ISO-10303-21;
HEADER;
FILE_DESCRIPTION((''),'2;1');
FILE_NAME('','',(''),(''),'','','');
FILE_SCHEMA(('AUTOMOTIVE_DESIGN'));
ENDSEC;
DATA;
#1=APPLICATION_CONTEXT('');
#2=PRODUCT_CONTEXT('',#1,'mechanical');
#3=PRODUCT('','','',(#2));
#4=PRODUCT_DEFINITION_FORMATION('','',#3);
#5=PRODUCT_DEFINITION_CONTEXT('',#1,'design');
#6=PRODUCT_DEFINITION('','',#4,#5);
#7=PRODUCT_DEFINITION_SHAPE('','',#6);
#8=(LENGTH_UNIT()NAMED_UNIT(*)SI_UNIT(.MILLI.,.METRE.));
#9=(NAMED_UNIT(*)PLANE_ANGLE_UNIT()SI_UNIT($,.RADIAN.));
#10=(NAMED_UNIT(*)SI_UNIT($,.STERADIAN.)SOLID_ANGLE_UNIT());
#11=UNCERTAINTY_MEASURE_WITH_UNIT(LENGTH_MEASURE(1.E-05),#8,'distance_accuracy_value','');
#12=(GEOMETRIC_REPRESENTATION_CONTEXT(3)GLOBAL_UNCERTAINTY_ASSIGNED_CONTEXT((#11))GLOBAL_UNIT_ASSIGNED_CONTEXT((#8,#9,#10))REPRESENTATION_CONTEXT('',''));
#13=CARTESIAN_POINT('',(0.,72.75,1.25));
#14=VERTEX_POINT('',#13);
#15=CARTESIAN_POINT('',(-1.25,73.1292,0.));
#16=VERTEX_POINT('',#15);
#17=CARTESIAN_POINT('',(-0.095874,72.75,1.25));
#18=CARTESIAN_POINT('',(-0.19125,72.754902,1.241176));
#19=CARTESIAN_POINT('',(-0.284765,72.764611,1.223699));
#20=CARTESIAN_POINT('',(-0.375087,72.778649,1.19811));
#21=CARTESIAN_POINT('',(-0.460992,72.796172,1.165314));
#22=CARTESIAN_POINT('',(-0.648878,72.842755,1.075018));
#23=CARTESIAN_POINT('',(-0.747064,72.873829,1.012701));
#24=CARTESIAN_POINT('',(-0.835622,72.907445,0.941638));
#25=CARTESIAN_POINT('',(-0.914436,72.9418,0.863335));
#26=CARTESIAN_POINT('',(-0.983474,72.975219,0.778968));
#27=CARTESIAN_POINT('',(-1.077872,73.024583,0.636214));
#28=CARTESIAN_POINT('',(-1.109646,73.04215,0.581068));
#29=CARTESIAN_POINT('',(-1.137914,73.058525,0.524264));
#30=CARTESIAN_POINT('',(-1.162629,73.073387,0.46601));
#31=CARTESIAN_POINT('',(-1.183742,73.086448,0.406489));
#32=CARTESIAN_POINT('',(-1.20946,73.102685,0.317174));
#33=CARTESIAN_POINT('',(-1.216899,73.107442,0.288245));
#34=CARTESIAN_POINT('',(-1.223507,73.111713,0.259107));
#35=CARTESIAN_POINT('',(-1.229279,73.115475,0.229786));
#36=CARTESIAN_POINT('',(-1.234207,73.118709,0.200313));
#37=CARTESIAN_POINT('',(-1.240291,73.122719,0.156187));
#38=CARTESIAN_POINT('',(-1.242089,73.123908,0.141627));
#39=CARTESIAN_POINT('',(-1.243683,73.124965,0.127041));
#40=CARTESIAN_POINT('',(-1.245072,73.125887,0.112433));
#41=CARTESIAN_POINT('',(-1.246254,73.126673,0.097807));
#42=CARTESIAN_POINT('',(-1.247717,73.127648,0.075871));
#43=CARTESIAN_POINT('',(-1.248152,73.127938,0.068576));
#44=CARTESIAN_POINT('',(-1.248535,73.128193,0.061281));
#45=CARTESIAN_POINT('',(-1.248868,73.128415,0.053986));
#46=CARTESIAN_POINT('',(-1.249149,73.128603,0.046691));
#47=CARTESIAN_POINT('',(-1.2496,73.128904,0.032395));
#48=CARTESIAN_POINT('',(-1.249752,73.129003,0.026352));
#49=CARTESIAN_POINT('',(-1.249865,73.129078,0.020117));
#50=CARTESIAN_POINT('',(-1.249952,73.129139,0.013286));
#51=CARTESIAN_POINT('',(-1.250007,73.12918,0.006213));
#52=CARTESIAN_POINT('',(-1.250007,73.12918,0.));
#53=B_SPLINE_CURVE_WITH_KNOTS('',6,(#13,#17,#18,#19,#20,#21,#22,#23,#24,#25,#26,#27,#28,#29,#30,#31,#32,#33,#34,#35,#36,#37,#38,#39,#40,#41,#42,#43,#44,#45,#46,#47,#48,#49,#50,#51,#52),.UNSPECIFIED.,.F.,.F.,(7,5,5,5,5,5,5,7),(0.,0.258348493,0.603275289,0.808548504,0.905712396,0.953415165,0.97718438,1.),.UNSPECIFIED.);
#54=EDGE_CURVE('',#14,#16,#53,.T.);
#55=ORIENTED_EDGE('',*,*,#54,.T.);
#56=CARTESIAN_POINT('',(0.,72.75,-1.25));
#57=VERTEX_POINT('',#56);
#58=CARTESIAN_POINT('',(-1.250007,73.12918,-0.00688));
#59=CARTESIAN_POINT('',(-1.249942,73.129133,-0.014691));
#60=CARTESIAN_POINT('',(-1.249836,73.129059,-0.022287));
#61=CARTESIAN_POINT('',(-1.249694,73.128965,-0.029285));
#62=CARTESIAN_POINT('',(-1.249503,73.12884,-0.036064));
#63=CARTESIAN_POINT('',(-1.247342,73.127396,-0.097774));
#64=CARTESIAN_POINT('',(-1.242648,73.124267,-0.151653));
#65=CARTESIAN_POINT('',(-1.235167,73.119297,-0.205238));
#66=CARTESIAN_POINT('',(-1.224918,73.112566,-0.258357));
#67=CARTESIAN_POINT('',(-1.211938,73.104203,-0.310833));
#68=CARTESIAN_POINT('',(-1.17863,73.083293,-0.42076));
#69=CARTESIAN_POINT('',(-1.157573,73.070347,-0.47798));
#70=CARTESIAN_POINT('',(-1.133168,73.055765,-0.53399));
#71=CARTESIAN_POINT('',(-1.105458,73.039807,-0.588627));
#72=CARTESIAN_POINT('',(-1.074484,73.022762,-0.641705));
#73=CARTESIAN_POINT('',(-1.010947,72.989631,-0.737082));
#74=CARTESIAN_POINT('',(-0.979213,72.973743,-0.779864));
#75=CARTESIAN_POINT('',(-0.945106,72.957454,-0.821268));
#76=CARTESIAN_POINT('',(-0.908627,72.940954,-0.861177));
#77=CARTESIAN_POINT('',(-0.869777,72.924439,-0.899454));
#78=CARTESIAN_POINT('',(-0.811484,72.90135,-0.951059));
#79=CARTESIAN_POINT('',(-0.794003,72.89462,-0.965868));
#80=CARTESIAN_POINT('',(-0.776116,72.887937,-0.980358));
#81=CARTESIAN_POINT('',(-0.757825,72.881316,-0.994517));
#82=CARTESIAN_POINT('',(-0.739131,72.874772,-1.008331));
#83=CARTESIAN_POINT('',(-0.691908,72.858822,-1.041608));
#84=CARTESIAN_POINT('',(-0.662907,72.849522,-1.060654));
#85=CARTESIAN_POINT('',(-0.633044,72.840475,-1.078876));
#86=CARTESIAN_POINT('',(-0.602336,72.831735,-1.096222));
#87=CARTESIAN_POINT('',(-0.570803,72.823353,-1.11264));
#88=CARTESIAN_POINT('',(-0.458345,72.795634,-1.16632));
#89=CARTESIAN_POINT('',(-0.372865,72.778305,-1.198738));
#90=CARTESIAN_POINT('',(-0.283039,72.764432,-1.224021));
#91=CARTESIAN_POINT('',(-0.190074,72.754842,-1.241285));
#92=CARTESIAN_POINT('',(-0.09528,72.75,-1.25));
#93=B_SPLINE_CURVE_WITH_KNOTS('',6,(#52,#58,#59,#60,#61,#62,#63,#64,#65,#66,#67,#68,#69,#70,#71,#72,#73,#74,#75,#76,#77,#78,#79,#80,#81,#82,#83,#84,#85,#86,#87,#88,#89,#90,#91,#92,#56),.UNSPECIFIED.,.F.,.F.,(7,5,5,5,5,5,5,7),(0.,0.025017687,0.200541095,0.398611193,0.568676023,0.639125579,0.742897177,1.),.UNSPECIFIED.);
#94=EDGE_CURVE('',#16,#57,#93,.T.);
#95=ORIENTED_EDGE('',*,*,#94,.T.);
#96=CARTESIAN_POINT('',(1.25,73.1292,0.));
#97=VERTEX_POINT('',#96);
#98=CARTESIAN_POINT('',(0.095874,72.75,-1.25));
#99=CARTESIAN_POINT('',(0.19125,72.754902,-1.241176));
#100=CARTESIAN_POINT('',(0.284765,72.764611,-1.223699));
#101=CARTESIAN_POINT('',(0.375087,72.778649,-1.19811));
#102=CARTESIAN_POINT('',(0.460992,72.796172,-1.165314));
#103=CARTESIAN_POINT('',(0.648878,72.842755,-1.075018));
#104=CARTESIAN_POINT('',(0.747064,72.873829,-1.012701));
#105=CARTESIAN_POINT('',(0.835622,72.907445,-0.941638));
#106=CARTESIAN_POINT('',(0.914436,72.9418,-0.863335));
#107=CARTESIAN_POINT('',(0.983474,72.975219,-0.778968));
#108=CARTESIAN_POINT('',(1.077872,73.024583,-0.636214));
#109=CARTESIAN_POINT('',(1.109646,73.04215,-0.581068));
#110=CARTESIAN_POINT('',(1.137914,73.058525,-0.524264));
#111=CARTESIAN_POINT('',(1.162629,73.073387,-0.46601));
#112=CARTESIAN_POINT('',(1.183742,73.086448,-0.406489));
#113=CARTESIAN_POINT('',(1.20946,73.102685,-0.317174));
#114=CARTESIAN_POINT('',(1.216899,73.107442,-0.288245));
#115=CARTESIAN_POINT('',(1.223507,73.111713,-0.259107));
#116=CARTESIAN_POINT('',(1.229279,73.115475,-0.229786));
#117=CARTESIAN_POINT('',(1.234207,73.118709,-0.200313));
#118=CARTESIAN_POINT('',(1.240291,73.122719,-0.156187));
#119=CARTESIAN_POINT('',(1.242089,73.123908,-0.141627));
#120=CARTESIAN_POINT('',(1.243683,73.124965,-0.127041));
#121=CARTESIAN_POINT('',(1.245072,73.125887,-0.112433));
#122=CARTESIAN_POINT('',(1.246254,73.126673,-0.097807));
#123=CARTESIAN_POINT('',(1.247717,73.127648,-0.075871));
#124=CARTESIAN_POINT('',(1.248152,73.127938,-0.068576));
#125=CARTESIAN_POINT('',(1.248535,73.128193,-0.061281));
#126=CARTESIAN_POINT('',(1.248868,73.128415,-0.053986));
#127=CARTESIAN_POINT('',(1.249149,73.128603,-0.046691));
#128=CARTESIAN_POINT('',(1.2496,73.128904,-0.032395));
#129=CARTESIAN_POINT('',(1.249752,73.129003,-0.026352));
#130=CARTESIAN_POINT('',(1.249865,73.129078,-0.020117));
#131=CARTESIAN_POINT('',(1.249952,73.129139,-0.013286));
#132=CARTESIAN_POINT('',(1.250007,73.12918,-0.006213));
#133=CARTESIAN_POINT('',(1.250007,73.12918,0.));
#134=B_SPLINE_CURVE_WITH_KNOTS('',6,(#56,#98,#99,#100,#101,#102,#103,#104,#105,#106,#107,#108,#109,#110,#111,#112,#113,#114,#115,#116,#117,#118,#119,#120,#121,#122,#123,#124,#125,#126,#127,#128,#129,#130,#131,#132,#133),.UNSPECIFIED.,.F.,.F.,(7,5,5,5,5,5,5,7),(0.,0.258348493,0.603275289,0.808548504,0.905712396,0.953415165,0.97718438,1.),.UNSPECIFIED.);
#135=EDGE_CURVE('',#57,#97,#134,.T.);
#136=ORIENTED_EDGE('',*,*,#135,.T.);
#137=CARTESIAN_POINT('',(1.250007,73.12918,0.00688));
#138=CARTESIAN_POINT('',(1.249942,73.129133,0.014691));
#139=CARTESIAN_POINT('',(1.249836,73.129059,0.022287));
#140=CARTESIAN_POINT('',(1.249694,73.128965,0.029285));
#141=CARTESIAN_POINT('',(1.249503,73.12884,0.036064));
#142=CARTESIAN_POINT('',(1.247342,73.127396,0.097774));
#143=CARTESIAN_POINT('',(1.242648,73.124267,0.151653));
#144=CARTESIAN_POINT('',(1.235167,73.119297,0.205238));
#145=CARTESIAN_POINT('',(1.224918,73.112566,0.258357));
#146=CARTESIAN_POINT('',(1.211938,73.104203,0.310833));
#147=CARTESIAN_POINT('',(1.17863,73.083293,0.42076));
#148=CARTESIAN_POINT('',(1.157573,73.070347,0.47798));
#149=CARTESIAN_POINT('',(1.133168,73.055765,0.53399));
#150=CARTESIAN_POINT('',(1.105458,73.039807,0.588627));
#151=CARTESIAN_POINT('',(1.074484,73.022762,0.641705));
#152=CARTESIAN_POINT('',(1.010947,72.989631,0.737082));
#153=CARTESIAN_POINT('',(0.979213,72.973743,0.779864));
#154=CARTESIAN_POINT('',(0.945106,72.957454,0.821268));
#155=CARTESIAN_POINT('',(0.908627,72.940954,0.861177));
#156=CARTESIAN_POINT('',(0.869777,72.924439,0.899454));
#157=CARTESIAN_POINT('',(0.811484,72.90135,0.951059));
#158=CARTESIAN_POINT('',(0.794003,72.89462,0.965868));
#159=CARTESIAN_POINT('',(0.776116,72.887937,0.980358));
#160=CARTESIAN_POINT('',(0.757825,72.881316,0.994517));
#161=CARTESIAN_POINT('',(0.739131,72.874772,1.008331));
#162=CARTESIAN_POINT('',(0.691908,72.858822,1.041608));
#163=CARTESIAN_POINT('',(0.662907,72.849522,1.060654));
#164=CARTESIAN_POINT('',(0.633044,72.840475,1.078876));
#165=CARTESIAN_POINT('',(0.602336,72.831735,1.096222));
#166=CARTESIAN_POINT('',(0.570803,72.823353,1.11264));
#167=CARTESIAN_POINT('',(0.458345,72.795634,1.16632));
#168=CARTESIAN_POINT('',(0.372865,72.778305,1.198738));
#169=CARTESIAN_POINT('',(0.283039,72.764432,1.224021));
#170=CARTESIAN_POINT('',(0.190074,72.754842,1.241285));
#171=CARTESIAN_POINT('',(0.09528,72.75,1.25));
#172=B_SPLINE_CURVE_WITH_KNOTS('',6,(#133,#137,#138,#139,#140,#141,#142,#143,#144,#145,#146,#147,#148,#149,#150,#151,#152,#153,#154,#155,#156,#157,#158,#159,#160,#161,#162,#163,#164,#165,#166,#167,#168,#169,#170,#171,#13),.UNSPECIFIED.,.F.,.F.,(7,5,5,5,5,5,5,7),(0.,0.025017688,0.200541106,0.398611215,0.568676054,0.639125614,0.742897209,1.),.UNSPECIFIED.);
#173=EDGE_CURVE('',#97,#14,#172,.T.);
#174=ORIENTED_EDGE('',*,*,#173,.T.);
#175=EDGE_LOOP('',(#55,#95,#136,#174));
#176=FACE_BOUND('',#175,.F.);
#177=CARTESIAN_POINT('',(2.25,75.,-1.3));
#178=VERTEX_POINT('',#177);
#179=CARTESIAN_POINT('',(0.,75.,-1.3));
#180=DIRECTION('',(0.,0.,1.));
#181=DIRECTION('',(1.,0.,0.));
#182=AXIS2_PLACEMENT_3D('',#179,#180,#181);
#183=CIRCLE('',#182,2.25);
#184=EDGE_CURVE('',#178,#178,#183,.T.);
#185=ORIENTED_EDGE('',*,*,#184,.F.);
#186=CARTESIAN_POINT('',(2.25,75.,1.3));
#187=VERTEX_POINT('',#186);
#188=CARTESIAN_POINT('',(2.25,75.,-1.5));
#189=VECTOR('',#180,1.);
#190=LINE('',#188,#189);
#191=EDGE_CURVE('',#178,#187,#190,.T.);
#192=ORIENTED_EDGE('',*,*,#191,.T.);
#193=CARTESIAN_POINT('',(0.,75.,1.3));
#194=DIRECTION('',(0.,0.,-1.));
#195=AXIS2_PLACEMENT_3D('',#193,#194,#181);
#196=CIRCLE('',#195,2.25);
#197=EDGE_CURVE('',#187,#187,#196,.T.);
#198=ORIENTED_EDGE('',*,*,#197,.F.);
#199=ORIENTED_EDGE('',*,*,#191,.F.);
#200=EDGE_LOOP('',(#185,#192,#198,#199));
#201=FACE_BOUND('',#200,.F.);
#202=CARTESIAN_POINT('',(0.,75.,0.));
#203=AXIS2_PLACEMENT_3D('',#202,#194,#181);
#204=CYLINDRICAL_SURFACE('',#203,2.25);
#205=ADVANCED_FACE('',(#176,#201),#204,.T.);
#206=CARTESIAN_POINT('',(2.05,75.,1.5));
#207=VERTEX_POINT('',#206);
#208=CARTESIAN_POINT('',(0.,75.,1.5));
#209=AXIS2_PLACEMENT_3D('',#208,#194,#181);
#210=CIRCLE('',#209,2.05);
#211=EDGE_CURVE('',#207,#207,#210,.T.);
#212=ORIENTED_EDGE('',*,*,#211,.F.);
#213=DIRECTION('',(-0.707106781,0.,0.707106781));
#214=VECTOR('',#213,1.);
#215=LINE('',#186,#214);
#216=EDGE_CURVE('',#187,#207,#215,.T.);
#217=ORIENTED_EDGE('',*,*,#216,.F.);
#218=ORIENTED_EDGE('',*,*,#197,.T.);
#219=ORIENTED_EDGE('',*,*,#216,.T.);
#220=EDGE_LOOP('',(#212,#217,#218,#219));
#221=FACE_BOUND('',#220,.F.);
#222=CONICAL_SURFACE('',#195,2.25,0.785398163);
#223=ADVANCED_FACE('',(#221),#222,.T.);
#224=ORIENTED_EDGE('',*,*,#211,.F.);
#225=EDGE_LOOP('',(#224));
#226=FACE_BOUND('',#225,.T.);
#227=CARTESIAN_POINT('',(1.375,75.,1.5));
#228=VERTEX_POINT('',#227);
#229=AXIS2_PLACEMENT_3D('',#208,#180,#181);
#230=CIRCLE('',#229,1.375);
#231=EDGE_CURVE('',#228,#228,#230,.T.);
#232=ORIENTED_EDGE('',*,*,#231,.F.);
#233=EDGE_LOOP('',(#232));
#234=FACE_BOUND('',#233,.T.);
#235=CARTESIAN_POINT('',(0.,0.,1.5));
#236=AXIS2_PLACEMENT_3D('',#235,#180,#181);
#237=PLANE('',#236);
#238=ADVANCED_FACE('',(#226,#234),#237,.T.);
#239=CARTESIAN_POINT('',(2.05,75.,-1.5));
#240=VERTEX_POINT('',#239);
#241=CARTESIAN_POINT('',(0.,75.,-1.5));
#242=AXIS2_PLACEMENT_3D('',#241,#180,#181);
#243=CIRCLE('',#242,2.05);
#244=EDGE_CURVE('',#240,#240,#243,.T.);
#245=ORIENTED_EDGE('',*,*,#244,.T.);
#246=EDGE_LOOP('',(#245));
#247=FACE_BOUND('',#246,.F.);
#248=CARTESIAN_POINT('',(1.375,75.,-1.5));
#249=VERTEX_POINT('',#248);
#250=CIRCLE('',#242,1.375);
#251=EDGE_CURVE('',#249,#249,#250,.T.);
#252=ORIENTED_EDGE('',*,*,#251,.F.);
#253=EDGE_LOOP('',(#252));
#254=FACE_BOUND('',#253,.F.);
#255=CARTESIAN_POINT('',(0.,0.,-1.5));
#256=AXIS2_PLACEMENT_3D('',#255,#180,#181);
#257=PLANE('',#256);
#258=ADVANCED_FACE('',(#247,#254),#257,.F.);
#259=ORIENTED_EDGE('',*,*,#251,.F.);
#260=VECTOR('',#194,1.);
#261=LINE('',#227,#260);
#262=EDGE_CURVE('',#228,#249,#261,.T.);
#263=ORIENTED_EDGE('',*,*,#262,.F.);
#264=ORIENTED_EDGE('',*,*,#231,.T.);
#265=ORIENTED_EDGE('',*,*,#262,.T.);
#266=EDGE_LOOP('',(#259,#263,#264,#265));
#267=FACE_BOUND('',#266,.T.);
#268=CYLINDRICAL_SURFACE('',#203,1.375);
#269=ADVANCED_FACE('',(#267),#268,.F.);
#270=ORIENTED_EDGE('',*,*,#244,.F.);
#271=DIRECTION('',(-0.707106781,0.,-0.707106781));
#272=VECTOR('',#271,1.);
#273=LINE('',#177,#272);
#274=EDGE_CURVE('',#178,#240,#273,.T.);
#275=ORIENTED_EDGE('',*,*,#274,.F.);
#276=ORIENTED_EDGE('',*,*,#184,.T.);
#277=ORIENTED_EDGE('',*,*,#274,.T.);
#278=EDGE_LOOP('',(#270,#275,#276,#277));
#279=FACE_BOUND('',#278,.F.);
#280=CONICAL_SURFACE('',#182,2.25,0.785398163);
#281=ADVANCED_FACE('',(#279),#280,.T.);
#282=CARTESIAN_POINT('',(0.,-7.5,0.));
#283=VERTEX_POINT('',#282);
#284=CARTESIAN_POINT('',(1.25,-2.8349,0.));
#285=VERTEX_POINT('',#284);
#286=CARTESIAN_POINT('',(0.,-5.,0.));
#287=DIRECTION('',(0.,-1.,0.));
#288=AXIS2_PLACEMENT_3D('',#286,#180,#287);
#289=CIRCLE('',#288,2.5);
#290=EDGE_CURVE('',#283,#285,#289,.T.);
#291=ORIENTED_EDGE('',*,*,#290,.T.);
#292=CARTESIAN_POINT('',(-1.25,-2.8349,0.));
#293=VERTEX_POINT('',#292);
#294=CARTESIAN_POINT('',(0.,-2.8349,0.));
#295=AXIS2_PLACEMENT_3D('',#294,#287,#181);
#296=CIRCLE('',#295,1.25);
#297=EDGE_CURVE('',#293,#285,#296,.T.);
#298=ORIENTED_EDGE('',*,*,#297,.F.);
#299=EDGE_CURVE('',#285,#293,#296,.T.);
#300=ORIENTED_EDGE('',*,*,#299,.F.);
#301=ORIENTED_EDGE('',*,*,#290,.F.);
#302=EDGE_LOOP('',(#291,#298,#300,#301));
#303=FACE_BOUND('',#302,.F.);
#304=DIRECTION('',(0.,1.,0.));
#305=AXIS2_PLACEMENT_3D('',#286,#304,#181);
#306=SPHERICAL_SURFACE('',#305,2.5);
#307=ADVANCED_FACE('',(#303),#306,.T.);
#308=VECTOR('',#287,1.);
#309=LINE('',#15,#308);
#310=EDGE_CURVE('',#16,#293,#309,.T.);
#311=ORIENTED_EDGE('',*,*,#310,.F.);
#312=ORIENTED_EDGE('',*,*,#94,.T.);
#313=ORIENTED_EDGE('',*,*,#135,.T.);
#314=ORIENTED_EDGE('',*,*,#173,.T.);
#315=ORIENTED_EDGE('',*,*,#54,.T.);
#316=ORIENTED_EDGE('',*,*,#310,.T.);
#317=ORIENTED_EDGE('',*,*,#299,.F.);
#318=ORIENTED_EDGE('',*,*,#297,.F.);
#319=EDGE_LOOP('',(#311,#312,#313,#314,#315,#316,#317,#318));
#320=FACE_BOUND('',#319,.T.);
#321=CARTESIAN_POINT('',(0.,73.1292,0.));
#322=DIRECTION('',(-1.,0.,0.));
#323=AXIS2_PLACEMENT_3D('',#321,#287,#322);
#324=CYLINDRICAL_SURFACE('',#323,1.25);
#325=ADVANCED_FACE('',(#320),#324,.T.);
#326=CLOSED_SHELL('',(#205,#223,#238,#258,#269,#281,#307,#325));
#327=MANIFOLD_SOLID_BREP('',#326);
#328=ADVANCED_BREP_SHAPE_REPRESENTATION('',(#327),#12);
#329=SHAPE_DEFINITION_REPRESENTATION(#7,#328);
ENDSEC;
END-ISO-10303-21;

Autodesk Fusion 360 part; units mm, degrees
sketch "Sketch1" plane through (0, 0, 0) normal (0, 0, 1) x (1, 0, 0)
  circle A0 centre (0, 75) radius 1.375
  circle A1 centre (0, 75) radius 2.25
  line L0 (0, 72.75) -> (0, -5)
  circle A2 centre (0, -5) radius 2.5
  line L1 (0, -5) -> (0, -7.5)
  line L2 (1.25, 73.1292) -> (1.25, -2.8349)
  line L3 (-1.25, 73.1292) -> (-1.25, -2.8349)
  dimension "d1" = 2.75
  dimension "d2" = 4.5
  dimension "d3" = 80
  dimension "d4" = 5
revolve "Revolve1" add sketch "Sketch1" angle 360 about axis through (0, -5, 0) along (0, -1, 0) contours L0 A2 L1 picked at (1.6574, -4.8758)
revolve "Revolve2" add sketch "Sketch1" angle 360 about axis through (0, 72.75, 0) along (0, -1, 0) contours A1 L0 A2 L3
extrude "Extrude1" add sketch "Sketch1" along normal mid plane 3 contours A1
chamfer "Chamfer1" distance 0.2 angle 45 2 edges at (-2.0977, 74.1864, 1.5) (-2.0977, 75.8136, -1.5)
